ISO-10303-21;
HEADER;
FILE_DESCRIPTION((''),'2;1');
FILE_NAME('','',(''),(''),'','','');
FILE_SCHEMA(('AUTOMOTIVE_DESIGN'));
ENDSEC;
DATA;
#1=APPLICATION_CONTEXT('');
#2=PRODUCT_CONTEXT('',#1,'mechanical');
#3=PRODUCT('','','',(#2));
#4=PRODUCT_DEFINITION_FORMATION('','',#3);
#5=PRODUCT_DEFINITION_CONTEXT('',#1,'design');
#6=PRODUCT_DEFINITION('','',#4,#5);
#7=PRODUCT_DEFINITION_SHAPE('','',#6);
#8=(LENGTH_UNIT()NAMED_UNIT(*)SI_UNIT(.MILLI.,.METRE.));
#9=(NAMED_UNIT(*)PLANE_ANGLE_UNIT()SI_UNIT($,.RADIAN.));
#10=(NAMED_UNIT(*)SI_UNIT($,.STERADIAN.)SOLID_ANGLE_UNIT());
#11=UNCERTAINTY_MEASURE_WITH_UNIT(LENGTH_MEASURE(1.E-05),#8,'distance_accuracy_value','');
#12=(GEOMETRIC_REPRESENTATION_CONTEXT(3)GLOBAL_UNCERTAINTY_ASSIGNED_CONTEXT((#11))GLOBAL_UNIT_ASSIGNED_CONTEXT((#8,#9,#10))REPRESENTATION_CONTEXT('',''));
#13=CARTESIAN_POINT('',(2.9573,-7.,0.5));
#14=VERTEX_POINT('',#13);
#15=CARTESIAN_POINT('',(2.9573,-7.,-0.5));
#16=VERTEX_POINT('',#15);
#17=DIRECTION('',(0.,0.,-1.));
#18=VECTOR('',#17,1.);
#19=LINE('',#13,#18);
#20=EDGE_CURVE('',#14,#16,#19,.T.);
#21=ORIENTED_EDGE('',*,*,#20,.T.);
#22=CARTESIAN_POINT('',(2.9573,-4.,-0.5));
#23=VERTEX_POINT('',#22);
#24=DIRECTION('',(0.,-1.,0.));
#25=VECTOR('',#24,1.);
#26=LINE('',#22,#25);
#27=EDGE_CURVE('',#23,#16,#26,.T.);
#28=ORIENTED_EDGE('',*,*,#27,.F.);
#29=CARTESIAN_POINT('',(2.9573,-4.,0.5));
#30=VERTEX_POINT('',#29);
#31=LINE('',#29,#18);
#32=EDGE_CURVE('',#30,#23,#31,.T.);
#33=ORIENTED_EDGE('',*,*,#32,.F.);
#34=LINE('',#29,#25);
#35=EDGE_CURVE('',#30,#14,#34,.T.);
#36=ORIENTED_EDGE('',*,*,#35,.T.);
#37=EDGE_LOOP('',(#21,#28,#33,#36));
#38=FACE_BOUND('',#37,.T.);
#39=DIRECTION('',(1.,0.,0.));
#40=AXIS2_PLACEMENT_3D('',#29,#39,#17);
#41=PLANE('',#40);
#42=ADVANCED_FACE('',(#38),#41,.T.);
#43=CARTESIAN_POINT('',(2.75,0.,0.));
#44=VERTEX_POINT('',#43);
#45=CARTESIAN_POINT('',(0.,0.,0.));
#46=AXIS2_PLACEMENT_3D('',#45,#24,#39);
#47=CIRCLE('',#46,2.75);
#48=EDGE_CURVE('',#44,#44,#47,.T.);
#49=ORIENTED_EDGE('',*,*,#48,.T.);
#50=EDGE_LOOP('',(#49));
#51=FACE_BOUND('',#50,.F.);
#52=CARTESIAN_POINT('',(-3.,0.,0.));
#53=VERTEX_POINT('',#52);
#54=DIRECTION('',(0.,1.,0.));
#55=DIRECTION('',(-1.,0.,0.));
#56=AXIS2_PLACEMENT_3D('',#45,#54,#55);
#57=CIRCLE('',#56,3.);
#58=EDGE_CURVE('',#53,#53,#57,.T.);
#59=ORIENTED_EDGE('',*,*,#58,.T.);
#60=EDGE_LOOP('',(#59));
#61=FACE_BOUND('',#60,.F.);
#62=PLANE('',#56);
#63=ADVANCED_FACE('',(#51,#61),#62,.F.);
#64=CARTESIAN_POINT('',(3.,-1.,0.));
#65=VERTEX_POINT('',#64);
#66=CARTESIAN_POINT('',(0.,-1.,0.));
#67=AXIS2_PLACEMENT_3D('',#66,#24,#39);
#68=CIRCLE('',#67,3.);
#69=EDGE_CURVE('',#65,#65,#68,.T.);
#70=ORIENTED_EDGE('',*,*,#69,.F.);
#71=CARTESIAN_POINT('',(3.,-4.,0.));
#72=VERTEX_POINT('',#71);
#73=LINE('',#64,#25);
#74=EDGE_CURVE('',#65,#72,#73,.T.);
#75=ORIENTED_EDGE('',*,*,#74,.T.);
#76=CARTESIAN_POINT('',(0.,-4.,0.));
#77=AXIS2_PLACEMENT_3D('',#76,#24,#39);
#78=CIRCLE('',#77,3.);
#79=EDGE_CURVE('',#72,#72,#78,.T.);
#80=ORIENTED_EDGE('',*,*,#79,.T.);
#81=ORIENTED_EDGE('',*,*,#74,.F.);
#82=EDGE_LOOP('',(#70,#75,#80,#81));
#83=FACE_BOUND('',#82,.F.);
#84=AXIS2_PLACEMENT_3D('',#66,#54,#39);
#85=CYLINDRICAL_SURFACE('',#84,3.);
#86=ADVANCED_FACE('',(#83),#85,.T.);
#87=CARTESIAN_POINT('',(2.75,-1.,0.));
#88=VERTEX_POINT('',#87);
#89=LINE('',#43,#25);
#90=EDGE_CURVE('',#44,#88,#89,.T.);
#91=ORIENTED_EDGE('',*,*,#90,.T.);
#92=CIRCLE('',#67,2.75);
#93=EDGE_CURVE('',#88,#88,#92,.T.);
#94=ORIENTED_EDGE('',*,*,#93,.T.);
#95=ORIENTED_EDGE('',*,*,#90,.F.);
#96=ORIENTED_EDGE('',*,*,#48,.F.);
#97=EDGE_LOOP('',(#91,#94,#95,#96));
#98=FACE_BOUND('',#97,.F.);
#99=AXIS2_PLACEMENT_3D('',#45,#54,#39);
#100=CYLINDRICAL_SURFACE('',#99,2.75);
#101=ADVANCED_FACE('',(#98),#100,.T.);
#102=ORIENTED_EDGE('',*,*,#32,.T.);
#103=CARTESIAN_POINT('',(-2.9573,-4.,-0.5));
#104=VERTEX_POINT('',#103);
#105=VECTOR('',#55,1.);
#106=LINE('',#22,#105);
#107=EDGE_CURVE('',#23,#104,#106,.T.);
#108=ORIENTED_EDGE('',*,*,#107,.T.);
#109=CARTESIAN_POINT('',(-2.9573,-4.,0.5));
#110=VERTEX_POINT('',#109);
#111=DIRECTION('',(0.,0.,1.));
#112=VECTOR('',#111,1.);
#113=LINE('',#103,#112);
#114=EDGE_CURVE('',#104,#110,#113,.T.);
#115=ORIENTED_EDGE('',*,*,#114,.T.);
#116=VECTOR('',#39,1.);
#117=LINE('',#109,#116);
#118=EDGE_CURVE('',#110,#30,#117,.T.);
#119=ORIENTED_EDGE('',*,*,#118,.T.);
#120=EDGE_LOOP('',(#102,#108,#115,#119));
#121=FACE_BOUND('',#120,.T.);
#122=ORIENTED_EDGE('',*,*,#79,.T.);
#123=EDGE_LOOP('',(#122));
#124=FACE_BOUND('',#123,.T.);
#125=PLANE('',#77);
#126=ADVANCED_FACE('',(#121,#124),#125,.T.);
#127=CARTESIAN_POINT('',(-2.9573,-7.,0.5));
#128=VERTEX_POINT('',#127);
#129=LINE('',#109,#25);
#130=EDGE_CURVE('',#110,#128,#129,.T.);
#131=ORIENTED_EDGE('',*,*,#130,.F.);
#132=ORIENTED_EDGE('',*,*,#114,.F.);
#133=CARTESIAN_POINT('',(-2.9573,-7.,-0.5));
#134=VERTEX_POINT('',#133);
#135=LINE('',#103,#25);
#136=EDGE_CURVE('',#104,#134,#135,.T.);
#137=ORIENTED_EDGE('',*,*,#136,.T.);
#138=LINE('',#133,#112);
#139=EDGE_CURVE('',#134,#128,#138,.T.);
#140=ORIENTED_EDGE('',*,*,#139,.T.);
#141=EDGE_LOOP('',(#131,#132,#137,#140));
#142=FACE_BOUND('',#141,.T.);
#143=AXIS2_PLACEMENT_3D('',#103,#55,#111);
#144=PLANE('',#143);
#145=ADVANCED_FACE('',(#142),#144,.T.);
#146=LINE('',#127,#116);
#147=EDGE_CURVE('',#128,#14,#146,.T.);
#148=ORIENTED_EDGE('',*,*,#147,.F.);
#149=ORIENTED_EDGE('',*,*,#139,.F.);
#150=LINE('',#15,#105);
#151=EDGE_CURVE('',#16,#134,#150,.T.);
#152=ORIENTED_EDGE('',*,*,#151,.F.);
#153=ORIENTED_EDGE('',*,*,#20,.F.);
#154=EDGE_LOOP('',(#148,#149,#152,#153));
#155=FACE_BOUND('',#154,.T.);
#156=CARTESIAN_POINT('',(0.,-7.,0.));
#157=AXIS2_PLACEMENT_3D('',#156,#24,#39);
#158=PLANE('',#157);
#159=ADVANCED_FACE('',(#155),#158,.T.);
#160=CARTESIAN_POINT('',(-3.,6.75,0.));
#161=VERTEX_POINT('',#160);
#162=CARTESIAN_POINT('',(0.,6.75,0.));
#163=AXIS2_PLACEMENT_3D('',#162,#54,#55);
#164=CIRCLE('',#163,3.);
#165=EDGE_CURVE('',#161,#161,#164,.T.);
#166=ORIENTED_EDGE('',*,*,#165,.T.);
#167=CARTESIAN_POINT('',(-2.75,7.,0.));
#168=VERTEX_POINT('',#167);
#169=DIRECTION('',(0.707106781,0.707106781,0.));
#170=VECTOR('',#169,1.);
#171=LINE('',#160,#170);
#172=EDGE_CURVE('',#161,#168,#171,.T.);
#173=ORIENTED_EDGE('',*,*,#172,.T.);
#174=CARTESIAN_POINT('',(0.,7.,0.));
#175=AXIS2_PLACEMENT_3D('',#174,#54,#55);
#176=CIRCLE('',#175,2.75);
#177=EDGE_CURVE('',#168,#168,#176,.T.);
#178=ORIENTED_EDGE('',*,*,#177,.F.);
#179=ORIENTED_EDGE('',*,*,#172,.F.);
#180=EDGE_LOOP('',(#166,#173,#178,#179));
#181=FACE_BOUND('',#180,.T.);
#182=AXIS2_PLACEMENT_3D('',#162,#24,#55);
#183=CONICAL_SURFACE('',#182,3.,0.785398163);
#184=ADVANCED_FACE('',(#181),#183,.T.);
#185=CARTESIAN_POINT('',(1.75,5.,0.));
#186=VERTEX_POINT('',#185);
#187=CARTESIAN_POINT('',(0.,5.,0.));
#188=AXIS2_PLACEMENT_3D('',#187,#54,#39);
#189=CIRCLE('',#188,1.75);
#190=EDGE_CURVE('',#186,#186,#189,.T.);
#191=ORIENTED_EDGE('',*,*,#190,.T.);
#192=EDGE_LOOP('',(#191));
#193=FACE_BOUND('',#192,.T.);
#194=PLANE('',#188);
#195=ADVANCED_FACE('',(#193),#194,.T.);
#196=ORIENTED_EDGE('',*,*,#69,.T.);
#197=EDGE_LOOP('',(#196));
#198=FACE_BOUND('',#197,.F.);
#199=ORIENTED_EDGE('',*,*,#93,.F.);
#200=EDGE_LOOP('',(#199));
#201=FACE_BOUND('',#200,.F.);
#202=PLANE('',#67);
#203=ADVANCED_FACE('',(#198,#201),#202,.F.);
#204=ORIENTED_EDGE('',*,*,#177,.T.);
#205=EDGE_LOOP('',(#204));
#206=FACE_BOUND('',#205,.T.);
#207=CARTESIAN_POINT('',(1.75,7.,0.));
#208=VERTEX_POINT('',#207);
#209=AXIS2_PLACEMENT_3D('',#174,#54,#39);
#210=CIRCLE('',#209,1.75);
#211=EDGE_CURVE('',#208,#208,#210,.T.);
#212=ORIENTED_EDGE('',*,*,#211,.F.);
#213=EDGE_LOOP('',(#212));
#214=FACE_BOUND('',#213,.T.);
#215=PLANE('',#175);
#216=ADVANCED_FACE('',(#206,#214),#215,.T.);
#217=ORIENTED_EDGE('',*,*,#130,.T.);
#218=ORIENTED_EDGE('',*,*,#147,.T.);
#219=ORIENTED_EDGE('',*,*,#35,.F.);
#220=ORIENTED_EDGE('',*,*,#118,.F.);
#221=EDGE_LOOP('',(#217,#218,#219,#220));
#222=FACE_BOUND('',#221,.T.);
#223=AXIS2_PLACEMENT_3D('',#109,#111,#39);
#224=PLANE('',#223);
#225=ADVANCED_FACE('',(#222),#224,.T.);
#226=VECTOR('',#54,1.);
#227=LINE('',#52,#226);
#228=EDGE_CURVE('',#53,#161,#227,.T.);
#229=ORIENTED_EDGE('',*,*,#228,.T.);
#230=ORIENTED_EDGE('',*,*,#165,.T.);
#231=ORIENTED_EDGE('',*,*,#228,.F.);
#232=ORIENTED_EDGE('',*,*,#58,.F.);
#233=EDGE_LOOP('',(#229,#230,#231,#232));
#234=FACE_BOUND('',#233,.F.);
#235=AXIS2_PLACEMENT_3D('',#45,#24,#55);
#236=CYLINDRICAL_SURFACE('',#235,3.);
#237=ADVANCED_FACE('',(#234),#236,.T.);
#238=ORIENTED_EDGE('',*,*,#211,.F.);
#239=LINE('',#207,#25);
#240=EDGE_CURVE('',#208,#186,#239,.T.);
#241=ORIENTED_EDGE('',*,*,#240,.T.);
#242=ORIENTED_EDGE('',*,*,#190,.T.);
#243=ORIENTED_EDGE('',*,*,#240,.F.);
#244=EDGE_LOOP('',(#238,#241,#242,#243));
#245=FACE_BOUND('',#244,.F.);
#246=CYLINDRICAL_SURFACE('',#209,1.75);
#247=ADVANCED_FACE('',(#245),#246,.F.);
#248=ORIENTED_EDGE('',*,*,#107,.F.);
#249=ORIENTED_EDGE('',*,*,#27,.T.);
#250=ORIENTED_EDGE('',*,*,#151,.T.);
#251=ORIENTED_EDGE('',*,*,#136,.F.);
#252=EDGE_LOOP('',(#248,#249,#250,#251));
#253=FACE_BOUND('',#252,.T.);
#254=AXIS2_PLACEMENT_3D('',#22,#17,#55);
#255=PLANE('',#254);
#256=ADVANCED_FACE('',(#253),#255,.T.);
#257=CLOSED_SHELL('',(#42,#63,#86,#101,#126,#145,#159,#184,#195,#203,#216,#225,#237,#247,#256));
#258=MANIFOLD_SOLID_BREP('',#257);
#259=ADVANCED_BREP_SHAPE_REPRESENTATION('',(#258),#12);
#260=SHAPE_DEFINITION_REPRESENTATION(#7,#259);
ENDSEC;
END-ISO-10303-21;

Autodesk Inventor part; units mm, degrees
ref_plane "YZ Plane" through (0, 0, 0) normal (1, 0, 0) x (0, 1, 0)
ref_plane "XZ Plane" through (0, 0, 0) normal (0, 1, 0) x (-1, 0, 0)
ref_plane "XY Plane" through (0, 0, 0) normal (0, 0, 1) x (1, 0, 0)
sketch "Sketch1" plane through (0, 0, 0) normal (0, 1, 0) x (-1, 0, 0)
  circle A0 centre (0, 0) radius 3
  dimension "d0" = 6
extrude "Extrusion1" add sketch "Sketch1" along normal blind 7
chamfer "Chamfer1" distance 0.25 angle 45 1 edges at (3, 7, 0)
sketch "Sketch2" plane through (0, 7, 0) normal (0, 1, 0) x (1, 0, 0)
  circle A0 centre (0, 0) radius 1.75
  dimension "d6" = 3.5
extrude "Extrusion2" cut sketch "Sketch2" against normal blind 2
sketch "Sketch3" plane through (0, 0, 0) normal (0, -1, 0) x (1, 0, 0)
  circle A0 centre (0, 0) radius 2.75
extrude "Extrusion3" add sketch "Sketch3" along normal blind 1
sketch "Sketch4" plane through (0, -1, 0) normal (0, -1, 0) x (1, 0, 0)
  circle A0 centre (0, 0) radius 3
extrude "Extrusion4" add sketch "Sketch4" along normal blind 3
sketch "Sketch5" plane through (0, -4, 0) normal (0, -1, 0) x (1, 0, 0)
  line L0 (2.9573, 0.5) -> (2.9573, -0.5)
  line L1 (2.9573, -0.5) -> (-2.9573, -0.5)
  line L2 (-2.9573, -0.5) -> (-2.9573, 0.5)
  line L3 (-2.9573, 0.5) -> (2.9573, 0.5)
  line L4 (2.9573, 0.5) -> (-2.9573, -0.5) construction
  line L5 (2.9573, -0.5) -> (-2.9573, 0.5) construction
  point P0 (0, 0)
  dimension "d14" = 1
extrude "Extrusion5" add sketch "Sketch5" along normal blind 3
properties part number "Laser Diode"
